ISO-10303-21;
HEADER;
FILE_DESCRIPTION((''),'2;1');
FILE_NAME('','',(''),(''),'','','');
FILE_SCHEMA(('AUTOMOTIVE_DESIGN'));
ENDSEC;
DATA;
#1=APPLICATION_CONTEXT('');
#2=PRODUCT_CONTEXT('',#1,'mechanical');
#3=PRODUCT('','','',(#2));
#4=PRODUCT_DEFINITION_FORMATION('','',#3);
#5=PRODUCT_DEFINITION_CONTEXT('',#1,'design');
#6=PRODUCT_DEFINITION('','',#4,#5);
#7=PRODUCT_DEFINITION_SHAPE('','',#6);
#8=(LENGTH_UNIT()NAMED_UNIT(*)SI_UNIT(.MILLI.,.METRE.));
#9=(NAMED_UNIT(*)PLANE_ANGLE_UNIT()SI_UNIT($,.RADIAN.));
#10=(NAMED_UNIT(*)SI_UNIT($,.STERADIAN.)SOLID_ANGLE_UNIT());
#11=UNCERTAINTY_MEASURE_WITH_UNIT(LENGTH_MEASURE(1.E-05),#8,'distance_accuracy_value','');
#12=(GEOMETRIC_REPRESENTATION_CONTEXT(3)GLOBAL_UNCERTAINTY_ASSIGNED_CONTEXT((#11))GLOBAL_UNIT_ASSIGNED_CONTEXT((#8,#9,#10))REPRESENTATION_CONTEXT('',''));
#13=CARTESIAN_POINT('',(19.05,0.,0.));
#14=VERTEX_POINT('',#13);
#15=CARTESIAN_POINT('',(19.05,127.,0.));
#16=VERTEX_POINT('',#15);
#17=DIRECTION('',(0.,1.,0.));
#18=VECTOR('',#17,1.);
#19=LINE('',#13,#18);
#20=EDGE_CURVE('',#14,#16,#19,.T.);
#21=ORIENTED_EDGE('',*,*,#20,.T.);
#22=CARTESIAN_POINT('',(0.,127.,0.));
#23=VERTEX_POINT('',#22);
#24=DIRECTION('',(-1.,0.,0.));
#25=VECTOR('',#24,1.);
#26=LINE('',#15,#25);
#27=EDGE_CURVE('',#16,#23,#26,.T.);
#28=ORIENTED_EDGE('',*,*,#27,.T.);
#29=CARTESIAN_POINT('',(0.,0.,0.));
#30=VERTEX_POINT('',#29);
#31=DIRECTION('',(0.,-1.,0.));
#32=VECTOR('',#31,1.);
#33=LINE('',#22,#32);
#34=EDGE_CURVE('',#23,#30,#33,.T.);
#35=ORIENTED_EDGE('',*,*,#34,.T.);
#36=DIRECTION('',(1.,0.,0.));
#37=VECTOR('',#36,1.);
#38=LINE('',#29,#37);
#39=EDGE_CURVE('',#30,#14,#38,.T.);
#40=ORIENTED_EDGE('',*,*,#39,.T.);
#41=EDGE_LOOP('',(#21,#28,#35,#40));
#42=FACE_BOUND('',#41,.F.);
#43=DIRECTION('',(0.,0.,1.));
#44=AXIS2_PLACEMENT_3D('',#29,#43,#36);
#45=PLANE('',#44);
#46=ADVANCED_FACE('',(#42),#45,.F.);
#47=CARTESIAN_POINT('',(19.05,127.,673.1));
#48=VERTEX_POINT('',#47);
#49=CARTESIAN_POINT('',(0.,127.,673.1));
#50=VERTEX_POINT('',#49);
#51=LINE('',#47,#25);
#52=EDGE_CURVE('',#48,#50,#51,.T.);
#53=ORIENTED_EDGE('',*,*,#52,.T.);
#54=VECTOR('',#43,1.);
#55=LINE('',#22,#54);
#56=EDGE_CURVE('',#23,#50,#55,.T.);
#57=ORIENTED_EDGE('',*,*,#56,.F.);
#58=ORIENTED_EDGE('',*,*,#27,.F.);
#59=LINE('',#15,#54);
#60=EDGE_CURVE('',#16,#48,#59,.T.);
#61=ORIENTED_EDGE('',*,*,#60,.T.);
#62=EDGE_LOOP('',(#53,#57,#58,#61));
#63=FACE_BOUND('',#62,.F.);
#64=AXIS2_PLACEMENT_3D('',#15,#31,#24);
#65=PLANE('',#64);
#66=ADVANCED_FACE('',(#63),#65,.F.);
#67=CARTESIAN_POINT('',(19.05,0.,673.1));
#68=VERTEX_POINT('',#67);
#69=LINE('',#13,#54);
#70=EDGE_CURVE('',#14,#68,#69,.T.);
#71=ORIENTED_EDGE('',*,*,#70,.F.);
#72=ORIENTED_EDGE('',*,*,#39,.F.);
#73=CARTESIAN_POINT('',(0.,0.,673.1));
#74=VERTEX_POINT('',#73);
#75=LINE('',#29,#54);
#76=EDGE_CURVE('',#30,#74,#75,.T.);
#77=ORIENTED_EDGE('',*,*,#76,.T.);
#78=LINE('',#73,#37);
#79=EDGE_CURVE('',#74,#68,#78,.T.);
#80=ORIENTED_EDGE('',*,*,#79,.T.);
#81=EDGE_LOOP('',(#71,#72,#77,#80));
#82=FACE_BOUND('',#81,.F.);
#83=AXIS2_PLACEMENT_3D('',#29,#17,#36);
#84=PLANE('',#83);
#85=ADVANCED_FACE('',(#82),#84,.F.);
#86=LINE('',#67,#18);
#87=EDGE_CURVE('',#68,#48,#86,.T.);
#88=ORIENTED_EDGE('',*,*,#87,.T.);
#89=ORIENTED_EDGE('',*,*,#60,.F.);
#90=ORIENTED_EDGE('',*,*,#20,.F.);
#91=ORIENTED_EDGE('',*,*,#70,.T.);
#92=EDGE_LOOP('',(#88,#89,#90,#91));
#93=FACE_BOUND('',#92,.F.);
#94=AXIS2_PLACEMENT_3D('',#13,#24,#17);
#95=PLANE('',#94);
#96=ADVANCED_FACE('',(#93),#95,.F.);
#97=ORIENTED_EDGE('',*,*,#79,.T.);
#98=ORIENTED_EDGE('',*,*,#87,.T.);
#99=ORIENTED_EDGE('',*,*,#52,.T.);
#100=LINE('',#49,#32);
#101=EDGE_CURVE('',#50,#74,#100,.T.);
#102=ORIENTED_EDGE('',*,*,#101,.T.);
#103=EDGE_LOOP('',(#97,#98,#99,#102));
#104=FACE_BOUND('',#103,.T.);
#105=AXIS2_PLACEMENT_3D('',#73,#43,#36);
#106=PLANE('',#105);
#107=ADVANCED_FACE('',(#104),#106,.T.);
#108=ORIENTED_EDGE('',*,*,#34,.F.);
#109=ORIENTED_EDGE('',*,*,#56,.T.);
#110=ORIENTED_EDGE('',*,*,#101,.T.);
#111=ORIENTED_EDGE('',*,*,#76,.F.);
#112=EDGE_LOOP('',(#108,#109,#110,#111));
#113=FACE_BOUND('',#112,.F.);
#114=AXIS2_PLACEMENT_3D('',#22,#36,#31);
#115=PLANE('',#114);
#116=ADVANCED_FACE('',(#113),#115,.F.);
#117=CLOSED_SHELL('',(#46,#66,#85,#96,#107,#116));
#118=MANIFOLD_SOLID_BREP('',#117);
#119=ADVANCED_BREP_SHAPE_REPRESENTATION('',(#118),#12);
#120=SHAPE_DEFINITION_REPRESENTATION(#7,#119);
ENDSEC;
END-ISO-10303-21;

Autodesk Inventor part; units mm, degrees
ref_plane "YZ Plane" through (0, 0, 0) normal (1, 0, 0) x (0, 1, 0)
ref_plane "XZ Plane" through (0, 0, 0) normal (0, 1, 0) x (-1, 0, 0)
ref_plane "XY Plane" through (0, 0, 0) normal (0, 0, 1) x (1, 0, 0)
sketch "Sketch1" plane through (0, 0, 0) normal (0, 0, 1) x (1, 0, 0)
  line L0 (0, 0) -> (19.05, 0)
  line L1 (19.05, 0) -> (19.05, 127)
  line L2 (19.05, 127) -> (0, 127)
  line L3 (0, 127) -> (0, 0)
  dimension "d0" = 19.05
  dimension "d1" = 127
extrude "Extrusion1" add sketch "Sketch1" along normal blind 673.1
properties part number "Bumper Wood Front" material "Oak, White"
